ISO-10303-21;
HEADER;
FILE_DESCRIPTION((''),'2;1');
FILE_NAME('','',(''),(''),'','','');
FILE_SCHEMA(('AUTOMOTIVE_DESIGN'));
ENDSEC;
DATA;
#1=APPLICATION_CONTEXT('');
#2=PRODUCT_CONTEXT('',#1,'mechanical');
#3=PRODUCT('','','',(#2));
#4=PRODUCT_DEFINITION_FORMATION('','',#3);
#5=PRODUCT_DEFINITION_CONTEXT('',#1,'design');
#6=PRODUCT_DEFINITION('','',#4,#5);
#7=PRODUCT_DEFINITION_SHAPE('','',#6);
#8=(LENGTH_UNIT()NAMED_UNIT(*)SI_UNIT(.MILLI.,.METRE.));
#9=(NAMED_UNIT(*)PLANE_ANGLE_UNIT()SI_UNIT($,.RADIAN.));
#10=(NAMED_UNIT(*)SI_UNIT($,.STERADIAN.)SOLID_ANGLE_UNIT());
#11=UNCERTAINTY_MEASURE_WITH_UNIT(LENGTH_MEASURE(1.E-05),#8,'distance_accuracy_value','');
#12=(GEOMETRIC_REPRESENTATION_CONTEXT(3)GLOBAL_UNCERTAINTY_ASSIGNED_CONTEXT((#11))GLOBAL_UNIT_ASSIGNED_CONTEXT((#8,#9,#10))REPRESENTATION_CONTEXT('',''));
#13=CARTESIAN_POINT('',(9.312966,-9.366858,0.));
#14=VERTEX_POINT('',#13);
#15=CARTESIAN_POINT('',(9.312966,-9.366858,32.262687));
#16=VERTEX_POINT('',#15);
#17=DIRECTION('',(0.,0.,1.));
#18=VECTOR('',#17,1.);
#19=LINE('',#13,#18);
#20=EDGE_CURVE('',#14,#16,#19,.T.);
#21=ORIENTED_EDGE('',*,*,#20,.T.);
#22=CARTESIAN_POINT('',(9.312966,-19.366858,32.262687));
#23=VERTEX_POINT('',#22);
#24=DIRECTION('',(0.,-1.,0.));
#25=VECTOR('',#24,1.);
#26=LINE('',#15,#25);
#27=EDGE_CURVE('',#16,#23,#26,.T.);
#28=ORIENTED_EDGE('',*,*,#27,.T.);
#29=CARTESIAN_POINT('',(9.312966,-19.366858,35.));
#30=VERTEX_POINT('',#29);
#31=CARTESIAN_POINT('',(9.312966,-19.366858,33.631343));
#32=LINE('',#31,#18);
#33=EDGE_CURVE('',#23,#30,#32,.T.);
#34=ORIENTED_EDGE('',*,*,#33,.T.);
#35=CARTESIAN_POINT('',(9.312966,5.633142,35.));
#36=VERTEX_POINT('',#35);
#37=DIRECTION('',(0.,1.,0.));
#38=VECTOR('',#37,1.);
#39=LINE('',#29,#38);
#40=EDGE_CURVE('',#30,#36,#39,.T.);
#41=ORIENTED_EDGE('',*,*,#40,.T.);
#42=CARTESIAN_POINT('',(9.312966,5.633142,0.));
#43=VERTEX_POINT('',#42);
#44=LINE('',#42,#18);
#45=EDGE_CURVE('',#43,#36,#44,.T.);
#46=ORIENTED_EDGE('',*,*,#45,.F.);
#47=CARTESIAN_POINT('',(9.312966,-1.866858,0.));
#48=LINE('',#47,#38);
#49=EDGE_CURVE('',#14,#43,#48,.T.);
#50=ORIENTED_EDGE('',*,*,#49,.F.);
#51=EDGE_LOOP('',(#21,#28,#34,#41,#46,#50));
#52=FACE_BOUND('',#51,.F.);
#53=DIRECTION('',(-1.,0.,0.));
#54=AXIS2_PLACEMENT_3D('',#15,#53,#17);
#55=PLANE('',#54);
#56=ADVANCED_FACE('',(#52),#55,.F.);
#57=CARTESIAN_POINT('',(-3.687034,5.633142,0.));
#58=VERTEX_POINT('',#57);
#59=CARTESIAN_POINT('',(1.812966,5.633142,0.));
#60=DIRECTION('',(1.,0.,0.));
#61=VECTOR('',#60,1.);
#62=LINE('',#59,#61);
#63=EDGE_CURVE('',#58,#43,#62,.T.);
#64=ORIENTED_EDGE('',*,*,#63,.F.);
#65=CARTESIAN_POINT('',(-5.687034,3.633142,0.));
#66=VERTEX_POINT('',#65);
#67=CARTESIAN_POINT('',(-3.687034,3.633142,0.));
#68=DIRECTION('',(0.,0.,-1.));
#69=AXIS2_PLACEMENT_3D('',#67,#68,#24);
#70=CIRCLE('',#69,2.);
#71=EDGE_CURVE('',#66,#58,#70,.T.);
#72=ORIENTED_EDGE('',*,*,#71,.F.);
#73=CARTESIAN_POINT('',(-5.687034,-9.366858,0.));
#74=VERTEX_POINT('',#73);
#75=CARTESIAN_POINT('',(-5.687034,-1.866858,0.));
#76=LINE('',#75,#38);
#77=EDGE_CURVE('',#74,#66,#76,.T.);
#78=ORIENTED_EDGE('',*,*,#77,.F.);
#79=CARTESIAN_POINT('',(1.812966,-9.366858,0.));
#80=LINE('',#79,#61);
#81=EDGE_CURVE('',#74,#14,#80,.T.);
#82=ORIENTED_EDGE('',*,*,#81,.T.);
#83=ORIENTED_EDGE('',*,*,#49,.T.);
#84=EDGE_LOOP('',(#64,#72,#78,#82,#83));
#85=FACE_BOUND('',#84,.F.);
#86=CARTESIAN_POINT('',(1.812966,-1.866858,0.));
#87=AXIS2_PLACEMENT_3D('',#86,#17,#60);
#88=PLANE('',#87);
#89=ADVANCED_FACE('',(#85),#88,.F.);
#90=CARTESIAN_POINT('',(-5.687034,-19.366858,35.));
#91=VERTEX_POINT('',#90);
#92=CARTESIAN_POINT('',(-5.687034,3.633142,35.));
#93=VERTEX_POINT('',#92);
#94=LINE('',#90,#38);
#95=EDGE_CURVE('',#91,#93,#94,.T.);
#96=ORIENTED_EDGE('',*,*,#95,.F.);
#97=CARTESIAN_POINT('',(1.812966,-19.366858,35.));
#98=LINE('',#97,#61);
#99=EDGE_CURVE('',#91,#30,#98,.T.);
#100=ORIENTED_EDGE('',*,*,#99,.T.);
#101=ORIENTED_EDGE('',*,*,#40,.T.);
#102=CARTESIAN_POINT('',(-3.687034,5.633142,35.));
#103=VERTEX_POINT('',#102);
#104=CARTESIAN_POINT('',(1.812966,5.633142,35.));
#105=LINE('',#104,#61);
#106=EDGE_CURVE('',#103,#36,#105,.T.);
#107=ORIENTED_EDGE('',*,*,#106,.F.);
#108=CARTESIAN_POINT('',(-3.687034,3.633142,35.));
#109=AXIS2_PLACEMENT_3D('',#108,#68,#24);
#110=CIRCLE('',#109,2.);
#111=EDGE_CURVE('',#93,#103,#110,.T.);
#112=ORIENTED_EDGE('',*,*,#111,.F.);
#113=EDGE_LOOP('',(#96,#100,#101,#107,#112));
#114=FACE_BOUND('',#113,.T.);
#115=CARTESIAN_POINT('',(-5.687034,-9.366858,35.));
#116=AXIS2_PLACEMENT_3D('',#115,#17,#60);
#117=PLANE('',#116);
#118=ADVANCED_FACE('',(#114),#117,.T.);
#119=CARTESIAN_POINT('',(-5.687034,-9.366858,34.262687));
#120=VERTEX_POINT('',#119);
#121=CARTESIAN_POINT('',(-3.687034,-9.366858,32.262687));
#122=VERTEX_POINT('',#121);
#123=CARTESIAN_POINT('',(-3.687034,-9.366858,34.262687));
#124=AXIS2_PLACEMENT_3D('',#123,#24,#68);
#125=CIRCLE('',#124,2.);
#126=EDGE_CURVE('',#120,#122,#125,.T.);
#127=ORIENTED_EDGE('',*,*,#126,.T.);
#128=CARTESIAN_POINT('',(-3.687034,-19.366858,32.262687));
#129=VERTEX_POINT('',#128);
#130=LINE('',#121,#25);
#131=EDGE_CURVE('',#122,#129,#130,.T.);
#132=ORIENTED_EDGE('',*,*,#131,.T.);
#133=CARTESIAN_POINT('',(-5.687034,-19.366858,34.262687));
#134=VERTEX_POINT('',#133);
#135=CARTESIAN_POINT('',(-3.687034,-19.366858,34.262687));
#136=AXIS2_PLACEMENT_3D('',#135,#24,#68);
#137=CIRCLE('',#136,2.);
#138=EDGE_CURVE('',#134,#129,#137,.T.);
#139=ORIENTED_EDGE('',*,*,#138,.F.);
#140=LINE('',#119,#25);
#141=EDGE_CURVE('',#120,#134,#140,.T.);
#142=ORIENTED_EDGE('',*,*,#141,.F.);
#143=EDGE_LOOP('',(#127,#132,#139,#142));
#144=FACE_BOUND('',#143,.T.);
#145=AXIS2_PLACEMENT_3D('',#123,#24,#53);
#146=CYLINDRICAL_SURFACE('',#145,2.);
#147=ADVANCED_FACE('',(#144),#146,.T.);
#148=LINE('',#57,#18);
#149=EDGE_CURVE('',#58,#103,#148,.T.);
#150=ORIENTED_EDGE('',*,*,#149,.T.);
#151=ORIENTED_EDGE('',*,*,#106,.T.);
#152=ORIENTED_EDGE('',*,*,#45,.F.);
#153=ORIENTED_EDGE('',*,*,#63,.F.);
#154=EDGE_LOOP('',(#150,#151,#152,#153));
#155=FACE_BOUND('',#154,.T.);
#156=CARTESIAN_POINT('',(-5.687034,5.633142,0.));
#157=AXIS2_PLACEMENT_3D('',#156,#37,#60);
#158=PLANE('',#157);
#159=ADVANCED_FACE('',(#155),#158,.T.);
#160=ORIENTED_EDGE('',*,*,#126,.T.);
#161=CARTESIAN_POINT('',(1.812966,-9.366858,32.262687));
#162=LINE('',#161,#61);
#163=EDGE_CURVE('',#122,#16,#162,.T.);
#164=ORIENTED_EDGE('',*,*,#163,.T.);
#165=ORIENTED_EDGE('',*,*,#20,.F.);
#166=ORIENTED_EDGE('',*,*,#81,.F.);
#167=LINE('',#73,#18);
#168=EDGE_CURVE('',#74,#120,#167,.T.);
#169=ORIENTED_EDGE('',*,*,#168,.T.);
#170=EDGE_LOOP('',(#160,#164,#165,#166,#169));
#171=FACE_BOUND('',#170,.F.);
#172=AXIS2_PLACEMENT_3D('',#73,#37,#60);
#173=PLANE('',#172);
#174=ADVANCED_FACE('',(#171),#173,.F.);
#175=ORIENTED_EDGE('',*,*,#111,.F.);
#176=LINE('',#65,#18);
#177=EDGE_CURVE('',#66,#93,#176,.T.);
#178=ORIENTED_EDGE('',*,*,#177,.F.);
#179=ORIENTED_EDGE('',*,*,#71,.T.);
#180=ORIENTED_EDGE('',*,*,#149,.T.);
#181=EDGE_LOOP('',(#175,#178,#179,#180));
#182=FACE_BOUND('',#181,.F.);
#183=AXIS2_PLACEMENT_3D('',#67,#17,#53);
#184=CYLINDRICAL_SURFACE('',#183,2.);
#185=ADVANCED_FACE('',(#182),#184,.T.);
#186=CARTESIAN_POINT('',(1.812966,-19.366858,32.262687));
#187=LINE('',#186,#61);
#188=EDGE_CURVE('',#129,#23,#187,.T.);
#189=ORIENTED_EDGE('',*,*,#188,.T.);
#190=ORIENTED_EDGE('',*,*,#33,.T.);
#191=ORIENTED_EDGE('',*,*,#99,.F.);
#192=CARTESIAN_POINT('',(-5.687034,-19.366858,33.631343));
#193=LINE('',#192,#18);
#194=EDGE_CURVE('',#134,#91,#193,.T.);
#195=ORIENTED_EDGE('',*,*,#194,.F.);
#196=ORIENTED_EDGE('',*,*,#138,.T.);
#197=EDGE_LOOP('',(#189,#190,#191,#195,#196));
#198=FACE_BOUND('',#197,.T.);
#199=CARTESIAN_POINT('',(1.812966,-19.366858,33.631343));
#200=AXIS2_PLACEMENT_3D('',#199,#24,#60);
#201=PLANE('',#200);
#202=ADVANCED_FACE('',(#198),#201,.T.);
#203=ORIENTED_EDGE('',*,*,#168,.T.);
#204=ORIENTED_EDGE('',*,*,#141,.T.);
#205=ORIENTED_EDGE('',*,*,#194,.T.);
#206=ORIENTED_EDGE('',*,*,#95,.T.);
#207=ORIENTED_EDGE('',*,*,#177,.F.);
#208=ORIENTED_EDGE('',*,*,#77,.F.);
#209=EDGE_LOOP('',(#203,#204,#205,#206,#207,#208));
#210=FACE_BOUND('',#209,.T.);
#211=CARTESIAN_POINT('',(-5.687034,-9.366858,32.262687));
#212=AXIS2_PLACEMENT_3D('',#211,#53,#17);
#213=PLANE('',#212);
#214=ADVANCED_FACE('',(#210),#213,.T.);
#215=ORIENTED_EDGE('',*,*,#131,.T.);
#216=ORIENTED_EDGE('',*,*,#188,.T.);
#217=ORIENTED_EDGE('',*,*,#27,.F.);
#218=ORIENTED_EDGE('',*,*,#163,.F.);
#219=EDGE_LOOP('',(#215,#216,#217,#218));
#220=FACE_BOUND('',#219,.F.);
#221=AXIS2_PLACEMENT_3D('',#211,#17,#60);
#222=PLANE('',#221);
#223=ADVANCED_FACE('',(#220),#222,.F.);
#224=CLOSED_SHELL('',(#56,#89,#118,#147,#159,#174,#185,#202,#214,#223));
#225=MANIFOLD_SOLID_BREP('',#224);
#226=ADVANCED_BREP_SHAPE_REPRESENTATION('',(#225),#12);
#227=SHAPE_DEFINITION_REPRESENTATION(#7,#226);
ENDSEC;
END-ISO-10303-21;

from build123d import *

# Parameters (mm, degrees)
F0_W     = 15
F0_H     = 15
F1_DEPTH = 35
F2_W     = 15
F2_H     = 2.73731336
F3_DEPTH = 10
F4_R     = 2
F5_R     = 2


with BuildPart() as f1:
    # F0 (on Top) → F1 (new body)
    with BuildSketch(Plane.XY):
        with Locations((1.8129660748, -1.8668582881)):
            Rectangle(F0_W, F0_H)
    extrude(amount=F1_DEPTH)

    # F2 (on face) → F3 (join)
    with BuildSketch(Plane.XZ.offset(9.3668582881)):
        with Locations((1.8129660748, 33.63134332)):
            Rectangle(F2_W, F2_H)
    extrude(amount=F3_DEPTH)

    # F4
    f4_edges = [f1.edges().sort_by_distance(p)[0] for p in [
        (-5.687034, 5.633142, 17.5),
    ]]
    fillet(f4_edges, radius=F4_R)

    # F5
    f5_edges = [f1.edges().sort_by_distance(p)[0] for p in [
        (-5.687034, -14.366858, 32.262687),
    ]]
    fillet(f5_edges, radius=F5_R)


solid = f1.part
